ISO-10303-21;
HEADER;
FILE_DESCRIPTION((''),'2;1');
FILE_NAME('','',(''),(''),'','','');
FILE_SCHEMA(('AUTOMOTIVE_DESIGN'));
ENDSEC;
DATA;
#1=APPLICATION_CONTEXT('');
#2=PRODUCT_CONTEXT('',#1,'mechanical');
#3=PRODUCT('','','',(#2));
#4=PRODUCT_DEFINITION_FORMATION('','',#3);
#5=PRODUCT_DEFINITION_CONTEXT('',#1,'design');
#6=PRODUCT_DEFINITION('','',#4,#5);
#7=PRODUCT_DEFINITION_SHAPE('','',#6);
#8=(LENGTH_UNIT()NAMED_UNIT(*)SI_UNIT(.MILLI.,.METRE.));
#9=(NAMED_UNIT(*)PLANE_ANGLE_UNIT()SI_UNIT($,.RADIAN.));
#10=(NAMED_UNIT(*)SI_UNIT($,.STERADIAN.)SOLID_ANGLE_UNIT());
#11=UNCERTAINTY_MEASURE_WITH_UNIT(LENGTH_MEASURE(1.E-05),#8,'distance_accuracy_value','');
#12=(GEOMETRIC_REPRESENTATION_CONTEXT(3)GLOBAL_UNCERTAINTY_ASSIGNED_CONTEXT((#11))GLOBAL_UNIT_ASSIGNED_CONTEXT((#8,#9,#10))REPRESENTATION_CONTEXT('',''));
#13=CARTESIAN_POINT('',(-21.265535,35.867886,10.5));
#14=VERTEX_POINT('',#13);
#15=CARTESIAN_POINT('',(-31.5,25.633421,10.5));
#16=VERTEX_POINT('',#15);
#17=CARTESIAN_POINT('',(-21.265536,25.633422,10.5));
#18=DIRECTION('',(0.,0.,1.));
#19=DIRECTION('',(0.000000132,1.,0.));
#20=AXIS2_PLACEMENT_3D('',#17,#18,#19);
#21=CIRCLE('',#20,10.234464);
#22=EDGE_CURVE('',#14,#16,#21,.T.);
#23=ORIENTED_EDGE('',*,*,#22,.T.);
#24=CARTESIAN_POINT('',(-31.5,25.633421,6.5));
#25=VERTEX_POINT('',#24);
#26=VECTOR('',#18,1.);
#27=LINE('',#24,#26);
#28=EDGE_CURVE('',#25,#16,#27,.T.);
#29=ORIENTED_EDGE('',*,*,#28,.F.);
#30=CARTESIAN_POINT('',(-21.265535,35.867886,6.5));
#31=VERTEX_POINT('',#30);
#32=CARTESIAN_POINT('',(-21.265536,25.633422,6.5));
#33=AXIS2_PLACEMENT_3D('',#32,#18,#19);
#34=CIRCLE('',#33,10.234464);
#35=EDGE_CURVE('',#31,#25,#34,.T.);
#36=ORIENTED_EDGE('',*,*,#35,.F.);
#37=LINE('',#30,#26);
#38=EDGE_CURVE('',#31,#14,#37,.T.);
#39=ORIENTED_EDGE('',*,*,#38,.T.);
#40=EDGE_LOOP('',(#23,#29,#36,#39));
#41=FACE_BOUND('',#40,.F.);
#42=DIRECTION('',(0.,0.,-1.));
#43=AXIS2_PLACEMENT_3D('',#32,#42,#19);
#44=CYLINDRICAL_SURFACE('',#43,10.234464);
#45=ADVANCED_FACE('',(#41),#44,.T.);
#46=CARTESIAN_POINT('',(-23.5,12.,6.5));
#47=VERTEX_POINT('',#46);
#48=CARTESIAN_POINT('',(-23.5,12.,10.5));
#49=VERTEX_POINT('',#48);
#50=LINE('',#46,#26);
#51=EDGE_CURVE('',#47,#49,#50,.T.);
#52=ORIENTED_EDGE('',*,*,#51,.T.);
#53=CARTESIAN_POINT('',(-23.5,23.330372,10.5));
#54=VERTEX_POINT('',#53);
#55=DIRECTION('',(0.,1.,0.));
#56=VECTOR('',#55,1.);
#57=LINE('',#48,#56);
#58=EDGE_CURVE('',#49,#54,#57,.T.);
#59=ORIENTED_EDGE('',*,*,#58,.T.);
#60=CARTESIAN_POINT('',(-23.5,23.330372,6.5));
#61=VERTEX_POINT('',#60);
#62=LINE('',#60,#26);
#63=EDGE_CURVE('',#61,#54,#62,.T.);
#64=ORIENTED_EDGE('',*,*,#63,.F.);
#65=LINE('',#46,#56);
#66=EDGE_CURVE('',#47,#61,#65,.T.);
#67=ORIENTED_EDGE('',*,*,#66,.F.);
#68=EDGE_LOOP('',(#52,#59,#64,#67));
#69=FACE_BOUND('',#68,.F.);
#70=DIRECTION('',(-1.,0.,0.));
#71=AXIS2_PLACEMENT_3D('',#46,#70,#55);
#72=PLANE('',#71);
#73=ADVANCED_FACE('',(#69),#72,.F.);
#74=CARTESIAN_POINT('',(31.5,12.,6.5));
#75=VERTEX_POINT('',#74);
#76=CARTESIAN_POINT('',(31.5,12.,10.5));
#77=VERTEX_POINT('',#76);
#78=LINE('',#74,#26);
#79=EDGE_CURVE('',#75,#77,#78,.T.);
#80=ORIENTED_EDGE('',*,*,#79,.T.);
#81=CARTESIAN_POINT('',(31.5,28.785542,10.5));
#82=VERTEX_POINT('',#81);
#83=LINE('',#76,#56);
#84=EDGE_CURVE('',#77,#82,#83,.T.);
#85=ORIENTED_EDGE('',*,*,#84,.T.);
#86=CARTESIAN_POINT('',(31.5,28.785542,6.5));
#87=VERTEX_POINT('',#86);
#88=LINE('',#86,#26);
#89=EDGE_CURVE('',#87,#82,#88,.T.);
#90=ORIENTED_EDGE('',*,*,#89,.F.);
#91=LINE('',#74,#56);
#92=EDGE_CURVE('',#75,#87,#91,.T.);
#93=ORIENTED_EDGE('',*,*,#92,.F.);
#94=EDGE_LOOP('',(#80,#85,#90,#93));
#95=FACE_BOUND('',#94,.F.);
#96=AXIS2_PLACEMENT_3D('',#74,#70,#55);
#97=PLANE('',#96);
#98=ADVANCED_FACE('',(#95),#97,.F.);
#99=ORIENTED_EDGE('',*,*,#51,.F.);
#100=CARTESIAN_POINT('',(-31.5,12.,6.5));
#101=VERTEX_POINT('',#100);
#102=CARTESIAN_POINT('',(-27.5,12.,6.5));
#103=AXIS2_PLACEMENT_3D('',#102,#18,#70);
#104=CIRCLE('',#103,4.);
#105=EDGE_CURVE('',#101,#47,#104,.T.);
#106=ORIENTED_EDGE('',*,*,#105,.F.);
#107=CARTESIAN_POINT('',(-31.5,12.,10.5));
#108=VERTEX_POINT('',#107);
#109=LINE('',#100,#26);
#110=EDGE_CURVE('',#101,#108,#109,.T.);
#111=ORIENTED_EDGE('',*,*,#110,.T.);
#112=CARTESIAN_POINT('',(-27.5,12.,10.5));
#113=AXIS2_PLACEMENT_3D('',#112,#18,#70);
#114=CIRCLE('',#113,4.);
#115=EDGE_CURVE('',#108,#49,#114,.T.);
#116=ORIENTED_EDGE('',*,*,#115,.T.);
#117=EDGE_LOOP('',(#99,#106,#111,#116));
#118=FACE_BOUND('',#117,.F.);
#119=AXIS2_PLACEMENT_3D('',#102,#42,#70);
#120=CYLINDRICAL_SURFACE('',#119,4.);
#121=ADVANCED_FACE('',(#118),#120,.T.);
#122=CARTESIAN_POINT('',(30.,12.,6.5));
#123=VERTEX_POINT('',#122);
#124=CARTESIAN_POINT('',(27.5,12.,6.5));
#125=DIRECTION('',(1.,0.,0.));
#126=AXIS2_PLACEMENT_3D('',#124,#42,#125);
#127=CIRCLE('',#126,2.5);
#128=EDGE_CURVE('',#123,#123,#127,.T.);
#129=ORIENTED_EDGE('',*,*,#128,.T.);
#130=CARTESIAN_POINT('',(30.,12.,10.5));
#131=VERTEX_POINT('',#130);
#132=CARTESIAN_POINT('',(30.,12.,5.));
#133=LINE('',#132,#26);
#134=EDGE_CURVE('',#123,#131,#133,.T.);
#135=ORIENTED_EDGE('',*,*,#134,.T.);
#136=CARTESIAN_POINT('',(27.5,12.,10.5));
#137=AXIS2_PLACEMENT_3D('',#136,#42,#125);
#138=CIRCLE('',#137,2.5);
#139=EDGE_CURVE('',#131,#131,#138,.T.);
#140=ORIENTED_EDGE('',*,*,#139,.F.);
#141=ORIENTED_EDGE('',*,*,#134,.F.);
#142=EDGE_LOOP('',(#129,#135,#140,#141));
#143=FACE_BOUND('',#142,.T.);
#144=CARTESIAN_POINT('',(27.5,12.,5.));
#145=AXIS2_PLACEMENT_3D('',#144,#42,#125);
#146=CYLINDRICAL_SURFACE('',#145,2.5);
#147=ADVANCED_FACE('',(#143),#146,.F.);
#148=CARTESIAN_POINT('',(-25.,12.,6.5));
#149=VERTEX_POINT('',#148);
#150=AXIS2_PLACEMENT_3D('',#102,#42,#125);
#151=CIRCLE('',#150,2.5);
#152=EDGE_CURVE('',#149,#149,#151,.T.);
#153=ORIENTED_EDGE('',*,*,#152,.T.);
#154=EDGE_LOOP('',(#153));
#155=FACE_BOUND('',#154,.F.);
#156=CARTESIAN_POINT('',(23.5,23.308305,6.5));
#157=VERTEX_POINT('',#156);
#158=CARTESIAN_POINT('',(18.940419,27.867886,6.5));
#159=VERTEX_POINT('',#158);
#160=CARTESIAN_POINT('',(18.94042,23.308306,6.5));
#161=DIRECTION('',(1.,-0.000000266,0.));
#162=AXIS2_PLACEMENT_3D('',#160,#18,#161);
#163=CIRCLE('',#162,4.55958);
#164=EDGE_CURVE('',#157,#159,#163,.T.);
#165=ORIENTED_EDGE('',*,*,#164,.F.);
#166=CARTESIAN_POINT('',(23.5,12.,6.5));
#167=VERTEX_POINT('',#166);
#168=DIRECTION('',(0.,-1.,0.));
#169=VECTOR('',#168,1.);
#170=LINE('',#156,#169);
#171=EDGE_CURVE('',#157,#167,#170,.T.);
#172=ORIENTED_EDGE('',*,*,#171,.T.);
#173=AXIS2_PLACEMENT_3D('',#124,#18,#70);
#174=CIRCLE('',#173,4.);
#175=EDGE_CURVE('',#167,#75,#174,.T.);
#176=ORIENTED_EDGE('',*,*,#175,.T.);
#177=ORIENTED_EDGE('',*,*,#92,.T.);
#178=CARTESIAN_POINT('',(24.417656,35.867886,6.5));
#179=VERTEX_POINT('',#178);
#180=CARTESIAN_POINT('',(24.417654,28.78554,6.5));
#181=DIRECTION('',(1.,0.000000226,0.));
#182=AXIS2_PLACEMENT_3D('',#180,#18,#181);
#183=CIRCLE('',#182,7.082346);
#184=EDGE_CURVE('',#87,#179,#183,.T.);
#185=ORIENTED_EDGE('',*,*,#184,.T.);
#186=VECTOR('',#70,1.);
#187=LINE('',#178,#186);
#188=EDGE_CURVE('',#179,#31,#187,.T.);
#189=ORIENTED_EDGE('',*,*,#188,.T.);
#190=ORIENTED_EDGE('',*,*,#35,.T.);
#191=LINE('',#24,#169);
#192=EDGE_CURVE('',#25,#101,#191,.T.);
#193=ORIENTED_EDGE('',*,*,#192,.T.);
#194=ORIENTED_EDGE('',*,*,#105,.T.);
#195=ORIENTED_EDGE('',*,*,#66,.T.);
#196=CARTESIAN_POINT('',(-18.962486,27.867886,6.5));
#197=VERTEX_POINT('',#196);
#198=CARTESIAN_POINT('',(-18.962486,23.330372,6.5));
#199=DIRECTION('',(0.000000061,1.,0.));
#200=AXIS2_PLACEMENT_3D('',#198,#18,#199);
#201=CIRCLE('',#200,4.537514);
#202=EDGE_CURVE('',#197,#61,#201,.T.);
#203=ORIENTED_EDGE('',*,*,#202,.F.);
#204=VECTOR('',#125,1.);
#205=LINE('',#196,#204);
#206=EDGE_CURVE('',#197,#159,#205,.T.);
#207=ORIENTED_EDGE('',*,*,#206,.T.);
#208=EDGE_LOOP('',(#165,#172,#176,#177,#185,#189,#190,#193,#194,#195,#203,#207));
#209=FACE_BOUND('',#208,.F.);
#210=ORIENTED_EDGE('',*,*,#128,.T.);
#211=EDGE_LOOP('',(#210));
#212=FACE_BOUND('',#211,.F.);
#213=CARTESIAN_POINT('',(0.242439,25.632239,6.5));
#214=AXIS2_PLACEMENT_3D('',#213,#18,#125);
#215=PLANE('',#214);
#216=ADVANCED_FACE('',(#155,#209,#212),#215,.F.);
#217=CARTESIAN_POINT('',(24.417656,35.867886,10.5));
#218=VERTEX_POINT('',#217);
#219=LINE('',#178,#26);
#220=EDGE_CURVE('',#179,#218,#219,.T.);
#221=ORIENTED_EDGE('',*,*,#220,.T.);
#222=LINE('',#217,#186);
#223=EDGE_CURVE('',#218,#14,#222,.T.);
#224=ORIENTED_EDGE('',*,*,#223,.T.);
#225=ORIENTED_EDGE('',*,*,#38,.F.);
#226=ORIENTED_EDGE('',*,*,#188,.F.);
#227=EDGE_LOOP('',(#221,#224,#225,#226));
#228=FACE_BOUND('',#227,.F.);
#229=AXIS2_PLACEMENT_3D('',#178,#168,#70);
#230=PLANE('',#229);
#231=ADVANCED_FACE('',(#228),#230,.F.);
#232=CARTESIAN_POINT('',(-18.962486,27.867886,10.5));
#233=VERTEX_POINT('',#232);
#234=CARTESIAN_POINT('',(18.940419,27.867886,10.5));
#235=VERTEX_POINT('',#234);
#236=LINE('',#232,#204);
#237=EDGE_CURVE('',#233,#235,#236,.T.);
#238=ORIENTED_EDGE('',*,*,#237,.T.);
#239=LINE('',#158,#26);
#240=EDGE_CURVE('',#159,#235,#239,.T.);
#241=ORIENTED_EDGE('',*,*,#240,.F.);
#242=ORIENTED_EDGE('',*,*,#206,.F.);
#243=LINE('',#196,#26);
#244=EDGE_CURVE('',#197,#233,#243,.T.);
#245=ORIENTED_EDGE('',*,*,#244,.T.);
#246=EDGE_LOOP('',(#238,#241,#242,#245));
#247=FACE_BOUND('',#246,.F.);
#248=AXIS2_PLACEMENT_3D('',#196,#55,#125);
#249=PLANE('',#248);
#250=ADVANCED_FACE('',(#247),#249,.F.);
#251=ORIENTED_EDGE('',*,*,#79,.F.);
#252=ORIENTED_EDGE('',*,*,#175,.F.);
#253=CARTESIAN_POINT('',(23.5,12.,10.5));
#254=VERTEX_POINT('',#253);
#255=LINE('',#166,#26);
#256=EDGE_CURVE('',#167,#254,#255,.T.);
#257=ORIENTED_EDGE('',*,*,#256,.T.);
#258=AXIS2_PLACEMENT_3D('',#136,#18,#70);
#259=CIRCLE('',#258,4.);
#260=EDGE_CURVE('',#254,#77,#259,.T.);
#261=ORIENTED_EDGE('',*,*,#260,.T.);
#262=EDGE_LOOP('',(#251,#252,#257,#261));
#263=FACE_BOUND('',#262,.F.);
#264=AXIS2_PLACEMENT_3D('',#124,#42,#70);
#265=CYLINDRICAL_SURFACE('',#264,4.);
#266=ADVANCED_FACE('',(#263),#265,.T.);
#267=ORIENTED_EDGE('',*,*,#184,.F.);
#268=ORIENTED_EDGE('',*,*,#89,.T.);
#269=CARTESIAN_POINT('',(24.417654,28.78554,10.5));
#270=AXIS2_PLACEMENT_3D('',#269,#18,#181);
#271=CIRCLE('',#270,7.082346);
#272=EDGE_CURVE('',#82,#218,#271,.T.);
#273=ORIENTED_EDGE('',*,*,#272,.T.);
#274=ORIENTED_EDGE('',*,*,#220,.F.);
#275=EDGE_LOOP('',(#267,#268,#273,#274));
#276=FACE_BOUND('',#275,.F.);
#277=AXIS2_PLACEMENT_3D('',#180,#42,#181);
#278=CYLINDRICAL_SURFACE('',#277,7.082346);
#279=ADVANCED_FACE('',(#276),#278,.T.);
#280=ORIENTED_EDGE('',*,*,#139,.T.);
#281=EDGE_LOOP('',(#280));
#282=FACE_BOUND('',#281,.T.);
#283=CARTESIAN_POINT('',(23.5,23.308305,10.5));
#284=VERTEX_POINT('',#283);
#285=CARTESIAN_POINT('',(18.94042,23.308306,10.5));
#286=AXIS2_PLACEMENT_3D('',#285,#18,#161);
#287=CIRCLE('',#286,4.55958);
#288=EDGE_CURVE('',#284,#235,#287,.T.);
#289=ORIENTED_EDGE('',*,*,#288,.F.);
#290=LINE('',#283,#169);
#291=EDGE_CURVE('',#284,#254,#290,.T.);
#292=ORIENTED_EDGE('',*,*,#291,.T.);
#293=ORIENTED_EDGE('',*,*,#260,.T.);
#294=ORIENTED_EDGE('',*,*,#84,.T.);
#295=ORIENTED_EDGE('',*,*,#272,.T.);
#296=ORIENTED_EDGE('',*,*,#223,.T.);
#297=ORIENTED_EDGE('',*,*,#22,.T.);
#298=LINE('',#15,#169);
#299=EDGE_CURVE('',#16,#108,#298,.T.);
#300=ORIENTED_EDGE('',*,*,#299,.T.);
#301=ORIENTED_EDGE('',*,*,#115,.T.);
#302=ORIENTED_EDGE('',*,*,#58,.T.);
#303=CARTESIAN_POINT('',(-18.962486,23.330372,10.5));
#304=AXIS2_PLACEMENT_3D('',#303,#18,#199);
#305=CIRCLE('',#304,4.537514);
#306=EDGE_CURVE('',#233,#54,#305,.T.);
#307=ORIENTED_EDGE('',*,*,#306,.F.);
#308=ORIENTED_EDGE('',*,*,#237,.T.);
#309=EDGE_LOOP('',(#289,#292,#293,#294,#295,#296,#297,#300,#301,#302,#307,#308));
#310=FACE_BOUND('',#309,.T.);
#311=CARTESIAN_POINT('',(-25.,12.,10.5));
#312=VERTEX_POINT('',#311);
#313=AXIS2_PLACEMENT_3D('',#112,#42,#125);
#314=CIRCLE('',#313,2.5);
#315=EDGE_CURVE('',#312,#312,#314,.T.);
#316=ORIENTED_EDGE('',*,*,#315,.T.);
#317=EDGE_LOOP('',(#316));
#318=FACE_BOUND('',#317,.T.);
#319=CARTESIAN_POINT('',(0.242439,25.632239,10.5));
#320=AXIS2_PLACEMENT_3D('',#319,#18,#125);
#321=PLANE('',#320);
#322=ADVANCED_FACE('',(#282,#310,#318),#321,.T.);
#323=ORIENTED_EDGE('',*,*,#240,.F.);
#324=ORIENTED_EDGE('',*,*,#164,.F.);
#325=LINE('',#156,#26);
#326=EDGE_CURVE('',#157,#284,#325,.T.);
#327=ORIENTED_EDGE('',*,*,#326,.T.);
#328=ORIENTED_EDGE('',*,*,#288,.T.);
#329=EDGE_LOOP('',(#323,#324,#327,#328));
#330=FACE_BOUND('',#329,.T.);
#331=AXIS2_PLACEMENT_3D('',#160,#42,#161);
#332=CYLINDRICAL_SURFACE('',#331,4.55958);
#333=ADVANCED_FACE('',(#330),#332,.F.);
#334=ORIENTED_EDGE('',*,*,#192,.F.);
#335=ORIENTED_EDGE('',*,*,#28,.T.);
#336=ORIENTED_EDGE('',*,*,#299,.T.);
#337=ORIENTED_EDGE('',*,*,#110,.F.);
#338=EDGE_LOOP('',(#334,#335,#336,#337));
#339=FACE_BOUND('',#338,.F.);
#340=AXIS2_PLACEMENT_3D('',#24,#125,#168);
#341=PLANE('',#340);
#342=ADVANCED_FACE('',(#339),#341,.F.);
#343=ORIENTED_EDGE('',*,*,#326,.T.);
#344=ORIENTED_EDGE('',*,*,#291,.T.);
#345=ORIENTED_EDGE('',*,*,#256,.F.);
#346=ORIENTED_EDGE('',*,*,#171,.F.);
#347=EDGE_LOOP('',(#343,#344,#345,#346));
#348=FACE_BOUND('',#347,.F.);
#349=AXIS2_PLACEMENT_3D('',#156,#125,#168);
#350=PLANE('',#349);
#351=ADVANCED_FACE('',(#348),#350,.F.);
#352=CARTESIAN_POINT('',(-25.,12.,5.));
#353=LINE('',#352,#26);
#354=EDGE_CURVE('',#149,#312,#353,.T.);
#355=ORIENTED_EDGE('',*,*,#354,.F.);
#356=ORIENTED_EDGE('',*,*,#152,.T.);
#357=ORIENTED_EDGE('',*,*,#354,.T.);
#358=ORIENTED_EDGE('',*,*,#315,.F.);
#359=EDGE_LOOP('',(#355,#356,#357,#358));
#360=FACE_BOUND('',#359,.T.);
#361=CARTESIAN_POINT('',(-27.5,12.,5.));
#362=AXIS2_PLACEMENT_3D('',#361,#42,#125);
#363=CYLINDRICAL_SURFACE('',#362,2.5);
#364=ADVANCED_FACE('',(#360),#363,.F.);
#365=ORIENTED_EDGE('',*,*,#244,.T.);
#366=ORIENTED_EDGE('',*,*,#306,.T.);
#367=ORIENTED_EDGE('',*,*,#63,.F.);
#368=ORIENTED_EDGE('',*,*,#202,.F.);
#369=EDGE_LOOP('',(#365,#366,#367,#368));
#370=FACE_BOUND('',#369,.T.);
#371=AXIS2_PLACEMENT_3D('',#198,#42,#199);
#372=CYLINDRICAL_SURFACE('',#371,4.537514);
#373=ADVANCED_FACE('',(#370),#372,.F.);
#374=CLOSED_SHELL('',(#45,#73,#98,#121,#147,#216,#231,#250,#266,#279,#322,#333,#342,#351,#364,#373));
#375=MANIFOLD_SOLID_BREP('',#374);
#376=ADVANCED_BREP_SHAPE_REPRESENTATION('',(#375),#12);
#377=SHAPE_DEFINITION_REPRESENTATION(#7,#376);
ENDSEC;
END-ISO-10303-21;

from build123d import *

# Parameters (mm, degrees)
CYLINDER011_R     = 2.5
CYLINDER011_DEPTH = 7.5
CYLINDER010_R     = 2.5
CYLINDER010_DEPTH = 7.5
EXTRUDE_DEPTH     = 4


with BuildPart() as cilindro010:
    # Cylinder011 → Cylinder011 (new body)
    with BuildSketch(Plane(origin=(27.5, 12, 5), x_dir=(1, 0, 0), z_dir=(0, 0, 1))):
        Circle(CYLINDER011_R)
    extrude(amount=CYLINDER011_DEPTH)


with BuildPart() as fusion002:
    # Cylinder010 → Cylinder010 (new body)
    with BuildSketch(Plane(origin=(-27.5, 12, 5), x_dir=(1, 0, 0), z_dir=(0, 0, 1))):
        Circle(CYLINDER010_R)
    extrude(amount=CYLINDER010_DEPTH)

    # Fusion002: union Cilindro010
    add(cilindro010.part)


with BuildPart() as barra_dir:
    # Sketch003 (on Face2 of Cylinder008) → Extrude (new body)
    with BuildSketch(Plane(origin=(0, 12, 1.5), x_dir=(1, 0, 0), z_dir=(0, 0, 1))):
        with BuildLine():
            Line((-23.5, 0), (-23.5, 11.330372))
            ThreePointArc((-18.962486, 15.867886), (-22.170993, 14.538879), (-23.5, 11.330372))
            Line((-18.962486, 15.867886), (18.940419, 15.867886))
            ThreePointArc((23.5, 11.308305), (22.16453, 14.532416), (18.940419, 15.867886))
            Line((23.5, 11.308305), (23.5, 0))
            ThreePointArc((23.5, 0), (27.5, -4), (31.5, 0))
            Line((31.5, 0), (31.5, 16.785542))
            ThreePointArc((31.5, 16.785542), (29.425629, 21.793515), (24.417656, 23.867886))
            Line((24.417656, 23.867886), (-21.265535, 23.867886))
            ThreePointArc((-21.265535, 23.867886), (-28.502395, 20.870281), (-31.5, 13.633421))
            Line((-31.5, 13.633421), (-31.5, 0))
            ThreePointArc((-31.5, 0), (-27.5, -4), (-23.5, 0))
        make_face()
    extrude(amount=EXTRUDE_DEPTH)


with BuildPart() as barra_dir_1:
    # Extrude placement: moved
    add(barra_dir.part.moved(Location((0, 0, 5))))

    # Cut002: cut Fusion002
    add(fusion002.part, mode=Mode.SUBTRACT)


solid = barra_dir_1.part
